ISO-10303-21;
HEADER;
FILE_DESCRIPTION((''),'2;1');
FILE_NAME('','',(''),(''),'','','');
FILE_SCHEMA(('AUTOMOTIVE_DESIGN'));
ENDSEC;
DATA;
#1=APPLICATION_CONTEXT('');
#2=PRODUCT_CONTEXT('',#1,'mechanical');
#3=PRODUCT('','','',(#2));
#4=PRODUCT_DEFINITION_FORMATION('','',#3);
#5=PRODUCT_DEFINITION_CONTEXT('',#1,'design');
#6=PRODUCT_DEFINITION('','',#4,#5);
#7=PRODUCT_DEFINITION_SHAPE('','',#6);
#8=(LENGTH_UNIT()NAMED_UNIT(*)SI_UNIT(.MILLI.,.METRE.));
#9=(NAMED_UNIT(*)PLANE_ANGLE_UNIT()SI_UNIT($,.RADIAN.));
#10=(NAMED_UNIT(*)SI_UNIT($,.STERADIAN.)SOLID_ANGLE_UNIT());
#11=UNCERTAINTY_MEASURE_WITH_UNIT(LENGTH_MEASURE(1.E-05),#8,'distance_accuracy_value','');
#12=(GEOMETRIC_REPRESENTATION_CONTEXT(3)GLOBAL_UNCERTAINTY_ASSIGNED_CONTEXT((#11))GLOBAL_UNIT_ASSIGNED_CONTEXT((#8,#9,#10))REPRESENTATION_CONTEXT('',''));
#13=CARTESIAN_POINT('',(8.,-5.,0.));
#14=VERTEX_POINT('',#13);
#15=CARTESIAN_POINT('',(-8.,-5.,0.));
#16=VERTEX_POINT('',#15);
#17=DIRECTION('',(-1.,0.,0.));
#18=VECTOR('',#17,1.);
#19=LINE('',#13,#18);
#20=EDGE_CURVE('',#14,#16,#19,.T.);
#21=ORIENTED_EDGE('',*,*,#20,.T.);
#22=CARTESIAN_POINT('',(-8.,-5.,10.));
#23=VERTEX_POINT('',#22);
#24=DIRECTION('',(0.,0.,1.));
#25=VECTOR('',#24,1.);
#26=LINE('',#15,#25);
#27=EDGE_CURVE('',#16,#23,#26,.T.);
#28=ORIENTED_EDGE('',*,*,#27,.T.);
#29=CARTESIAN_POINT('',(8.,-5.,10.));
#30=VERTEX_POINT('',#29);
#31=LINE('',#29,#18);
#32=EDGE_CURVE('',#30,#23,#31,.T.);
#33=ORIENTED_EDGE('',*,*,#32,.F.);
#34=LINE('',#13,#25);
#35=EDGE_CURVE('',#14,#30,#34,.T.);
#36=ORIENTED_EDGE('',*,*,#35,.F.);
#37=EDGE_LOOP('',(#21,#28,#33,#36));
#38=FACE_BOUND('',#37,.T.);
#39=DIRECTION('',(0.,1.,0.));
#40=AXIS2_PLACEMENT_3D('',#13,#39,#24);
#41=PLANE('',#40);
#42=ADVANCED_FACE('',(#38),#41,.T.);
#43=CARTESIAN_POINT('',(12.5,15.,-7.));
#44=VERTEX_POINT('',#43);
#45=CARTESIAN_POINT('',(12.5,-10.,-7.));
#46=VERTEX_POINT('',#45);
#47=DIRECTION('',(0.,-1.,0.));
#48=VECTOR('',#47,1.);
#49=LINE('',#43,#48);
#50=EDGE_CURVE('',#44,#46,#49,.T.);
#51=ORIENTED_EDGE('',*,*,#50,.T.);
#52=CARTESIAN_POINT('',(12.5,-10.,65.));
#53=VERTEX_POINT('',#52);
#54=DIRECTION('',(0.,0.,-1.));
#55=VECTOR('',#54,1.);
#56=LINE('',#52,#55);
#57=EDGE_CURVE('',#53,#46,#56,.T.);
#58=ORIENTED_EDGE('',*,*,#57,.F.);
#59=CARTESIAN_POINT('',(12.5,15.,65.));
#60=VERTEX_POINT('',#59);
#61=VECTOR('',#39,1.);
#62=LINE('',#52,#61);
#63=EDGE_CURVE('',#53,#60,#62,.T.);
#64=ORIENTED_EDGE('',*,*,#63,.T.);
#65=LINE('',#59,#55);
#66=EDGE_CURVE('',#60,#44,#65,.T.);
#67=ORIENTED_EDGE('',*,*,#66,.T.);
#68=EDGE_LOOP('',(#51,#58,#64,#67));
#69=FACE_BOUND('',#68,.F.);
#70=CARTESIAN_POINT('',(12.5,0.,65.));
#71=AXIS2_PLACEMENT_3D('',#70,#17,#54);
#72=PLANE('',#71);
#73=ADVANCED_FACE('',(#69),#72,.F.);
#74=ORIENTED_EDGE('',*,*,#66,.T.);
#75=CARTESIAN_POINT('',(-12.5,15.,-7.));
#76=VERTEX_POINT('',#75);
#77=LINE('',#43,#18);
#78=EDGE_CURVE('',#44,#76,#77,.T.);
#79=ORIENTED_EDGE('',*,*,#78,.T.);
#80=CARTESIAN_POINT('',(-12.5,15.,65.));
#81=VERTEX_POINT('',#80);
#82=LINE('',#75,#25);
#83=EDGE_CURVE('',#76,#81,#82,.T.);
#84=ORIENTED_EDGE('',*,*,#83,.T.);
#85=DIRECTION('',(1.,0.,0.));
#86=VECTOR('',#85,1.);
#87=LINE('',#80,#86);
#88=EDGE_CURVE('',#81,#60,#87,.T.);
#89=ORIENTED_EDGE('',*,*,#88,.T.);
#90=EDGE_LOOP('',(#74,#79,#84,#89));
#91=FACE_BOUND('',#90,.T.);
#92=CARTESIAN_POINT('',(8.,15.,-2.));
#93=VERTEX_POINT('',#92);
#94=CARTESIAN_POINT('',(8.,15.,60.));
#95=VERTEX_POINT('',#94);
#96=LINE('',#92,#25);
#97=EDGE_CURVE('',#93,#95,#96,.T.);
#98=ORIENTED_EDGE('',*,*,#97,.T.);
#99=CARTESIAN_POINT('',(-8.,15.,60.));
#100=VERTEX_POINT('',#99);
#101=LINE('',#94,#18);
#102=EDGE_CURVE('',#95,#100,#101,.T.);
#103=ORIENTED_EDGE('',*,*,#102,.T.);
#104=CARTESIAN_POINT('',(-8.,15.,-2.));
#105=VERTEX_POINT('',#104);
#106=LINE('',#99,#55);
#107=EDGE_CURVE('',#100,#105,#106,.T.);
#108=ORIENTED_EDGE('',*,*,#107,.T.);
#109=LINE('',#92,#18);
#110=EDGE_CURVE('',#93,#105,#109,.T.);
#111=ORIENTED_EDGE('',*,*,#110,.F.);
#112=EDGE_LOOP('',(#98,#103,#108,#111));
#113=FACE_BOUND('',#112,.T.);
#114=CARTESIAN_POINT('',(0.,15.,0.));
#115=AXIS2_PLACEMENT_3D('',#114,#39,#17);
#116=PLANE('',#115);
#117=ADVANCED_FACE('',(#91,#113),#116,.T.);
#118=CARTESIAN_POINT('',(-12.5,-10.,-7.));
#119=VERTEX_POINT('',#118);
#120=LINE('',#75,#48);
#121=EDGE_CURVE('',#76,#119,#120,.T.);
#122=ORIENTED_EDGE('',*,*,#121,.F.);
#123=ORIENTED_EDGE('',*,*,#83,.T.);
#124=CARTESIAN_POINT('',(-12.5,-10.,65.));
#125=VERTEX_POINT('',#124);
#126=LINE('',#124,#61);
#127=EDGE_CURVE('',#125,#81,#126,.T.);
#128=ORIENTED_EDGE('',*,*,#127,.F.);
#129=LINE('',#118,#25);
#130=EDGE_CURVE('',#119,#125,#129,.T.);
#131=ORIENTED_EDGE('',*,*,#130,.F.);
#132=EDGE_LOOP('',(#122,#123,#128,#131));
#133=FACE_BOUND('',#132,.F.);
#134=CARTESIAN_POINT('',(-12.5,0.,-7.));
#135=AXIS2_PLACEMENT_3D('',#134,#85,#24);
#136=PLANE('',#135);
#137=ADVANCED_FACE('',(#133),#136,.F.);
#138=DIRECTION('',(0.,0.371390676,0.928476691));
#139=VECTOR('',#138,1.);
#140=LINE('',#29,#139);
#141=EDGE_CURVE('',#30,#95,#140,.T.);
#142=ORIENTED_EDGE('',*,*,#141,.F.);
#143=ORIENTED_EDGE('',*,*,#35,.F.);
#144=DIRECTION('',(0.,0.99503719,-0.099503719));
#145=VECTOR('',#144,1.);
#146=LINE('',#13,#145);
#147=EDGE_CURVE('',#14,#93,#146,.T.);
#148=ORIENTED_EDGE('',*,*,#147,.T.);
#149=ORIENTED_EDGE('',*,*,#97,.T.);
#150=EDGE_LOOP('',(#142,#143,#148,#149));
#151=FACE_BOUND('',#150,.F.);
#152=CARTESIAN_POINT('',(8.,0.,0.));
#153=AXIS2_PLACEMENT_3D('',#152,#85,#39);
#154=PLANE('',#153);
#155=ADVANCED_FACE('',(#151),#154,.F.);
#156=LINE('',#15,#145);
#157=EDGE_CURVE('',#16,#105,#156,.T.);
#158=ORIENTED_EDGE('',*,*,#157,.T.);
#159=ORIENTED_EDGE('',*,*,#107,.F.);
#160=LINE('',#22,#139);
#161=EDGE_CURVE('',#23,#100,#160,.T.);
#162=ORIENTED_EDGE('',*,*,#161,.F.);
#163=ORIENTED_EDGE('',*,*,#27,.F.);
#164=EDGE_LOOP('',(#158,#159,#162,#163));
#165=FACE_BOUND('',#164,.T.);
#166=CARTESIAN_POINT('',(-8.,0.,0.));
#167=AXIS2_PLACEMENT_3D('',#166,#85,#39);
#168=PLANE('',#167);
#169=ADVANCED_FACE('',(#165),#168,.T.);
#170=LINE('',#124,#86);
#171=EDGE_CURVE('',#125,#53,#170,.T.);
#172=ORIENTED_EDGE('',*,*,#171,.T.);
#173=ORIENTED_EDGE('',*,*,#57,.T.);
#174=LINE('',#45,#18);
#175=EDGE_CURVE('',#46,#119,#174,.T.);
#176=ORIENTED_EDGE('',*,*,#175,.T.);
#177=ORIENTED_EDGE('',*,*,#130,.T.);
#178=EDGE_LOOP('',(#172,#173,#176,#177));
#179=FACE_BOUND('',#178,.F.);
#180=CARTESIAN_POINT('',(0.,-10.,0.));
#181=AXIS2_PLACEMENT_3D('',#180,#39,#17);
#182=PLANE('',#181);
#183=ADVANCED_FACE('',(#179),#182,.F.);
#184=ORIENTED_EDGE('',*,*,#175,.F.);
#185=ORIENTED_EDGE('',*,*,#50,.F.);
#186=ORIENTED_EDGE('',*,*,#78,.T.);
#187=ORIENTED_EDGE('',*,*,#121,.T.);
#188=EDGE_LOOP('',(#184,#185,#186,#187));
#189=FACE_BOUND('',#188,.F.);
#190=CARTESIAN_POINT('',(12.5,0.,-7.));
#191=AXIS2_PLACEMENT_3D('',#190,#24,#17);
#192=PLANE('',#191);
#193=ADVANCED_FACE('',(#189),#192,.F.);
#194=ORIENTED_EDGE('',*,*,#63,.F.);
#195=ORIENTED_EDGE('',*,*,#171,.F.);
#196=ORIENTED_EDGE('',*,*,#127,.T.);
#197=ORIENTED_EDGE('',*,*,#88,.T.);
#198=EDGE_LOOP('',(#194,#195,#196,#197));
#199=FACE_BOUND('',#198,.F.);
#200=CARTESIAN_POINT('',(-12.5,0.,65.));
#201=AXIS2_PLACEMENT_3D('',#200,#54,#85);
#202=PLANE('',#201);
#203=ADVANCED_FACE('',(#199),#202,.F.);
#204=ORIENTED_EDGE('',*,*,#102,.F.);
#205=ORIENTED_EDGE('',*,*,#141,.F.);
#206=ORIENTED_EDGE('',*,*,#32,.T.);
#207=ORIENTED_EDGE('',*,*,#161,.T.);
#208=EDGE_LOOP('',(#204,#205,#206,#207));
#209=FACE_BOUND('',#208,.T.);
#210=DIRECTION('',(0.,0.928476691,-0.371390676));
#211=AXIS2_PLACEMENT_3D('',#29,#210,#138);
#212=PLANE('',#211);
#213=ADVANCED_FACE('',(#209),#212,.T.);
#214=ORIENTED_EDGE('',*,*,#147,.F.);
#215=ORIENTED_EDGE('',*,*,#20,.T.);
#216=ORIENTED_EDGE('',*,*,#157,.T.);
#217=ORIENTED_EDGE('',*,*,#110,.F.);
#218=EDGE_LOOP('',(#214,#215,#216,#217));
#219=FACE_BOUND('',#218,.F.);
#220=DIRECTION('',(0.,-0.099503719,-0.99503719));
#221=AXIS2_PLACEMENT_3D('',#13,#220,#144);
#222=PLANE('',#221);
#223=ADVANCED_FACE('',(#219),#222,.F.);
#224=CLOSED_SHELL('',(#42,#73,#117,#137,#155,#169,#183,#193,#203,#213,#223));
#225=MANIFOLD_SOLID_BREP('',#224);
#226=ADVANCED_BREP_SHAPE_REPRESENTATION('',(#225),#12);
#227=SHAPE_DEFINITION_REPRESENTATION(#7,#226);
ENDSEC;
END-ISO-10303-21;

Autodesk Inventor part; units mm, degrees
ref_plane "XZ Plane" through (0, 0, 0) normal (0, 1, 0) x (-1, 0, 0)
ref_plane "XY Plane" through (0, 0, 0) normal (0, 0, 1) x (1, 0, 0)
ref_plane "Work Plane1" through (8, 0, 0) normal (1, 0, 0) x (0, 1, 0)
sketch "Sketch4" plane through (8, 0, 0) normal (1, 0, 0) x (0, 1, 0)
  line L0 (-5, 0) -> (-5, 10)
  line L1 (15, 53) -> (15, -29) projected
  line L2 (-5, 0) -> (15, -2)
  line L3 (-5, 10) -> (15, 60)
  line L4 (15, 60) -> (15, -2)
  point P0 (0, 0)
  dimension "d9" = 10
  dimension "d10" = 20
  dimension "d11" = 2
  dimension "d12" = 60
sketch "Sketch5" plane through (0, 0, 0) normal (0, 1, 0) x (-1, 0, 0)
  line L0 (12.5, 65) -> (-12.5, 65)
  line L1 (-12.5, 65) -> (-12.5, -7)
  line L2 (-12.5, -7) -> (12.5, -7)
  line L3 (12.5, -7) -> (12.5, 65)
  line L4 (12.5, 65) -> (-12.5, -7) construction
  line L5 (-12.5, 65) -> (12.5, -7) construction
  point P0 (0, 0)
  point P1 (0, 29)
  dimension "d13" = 25
  dimension "d14" = 72
  dimension "d15" = 7
  dimension "d22" = 0
extrude "Extrusion2" add sketch "Sketch5" along normal blind 15 and the other way blind 10
extrude "Extrusion3" cut sketch "Sketch4" against normal blind 16
properties part number "Mould Design"
